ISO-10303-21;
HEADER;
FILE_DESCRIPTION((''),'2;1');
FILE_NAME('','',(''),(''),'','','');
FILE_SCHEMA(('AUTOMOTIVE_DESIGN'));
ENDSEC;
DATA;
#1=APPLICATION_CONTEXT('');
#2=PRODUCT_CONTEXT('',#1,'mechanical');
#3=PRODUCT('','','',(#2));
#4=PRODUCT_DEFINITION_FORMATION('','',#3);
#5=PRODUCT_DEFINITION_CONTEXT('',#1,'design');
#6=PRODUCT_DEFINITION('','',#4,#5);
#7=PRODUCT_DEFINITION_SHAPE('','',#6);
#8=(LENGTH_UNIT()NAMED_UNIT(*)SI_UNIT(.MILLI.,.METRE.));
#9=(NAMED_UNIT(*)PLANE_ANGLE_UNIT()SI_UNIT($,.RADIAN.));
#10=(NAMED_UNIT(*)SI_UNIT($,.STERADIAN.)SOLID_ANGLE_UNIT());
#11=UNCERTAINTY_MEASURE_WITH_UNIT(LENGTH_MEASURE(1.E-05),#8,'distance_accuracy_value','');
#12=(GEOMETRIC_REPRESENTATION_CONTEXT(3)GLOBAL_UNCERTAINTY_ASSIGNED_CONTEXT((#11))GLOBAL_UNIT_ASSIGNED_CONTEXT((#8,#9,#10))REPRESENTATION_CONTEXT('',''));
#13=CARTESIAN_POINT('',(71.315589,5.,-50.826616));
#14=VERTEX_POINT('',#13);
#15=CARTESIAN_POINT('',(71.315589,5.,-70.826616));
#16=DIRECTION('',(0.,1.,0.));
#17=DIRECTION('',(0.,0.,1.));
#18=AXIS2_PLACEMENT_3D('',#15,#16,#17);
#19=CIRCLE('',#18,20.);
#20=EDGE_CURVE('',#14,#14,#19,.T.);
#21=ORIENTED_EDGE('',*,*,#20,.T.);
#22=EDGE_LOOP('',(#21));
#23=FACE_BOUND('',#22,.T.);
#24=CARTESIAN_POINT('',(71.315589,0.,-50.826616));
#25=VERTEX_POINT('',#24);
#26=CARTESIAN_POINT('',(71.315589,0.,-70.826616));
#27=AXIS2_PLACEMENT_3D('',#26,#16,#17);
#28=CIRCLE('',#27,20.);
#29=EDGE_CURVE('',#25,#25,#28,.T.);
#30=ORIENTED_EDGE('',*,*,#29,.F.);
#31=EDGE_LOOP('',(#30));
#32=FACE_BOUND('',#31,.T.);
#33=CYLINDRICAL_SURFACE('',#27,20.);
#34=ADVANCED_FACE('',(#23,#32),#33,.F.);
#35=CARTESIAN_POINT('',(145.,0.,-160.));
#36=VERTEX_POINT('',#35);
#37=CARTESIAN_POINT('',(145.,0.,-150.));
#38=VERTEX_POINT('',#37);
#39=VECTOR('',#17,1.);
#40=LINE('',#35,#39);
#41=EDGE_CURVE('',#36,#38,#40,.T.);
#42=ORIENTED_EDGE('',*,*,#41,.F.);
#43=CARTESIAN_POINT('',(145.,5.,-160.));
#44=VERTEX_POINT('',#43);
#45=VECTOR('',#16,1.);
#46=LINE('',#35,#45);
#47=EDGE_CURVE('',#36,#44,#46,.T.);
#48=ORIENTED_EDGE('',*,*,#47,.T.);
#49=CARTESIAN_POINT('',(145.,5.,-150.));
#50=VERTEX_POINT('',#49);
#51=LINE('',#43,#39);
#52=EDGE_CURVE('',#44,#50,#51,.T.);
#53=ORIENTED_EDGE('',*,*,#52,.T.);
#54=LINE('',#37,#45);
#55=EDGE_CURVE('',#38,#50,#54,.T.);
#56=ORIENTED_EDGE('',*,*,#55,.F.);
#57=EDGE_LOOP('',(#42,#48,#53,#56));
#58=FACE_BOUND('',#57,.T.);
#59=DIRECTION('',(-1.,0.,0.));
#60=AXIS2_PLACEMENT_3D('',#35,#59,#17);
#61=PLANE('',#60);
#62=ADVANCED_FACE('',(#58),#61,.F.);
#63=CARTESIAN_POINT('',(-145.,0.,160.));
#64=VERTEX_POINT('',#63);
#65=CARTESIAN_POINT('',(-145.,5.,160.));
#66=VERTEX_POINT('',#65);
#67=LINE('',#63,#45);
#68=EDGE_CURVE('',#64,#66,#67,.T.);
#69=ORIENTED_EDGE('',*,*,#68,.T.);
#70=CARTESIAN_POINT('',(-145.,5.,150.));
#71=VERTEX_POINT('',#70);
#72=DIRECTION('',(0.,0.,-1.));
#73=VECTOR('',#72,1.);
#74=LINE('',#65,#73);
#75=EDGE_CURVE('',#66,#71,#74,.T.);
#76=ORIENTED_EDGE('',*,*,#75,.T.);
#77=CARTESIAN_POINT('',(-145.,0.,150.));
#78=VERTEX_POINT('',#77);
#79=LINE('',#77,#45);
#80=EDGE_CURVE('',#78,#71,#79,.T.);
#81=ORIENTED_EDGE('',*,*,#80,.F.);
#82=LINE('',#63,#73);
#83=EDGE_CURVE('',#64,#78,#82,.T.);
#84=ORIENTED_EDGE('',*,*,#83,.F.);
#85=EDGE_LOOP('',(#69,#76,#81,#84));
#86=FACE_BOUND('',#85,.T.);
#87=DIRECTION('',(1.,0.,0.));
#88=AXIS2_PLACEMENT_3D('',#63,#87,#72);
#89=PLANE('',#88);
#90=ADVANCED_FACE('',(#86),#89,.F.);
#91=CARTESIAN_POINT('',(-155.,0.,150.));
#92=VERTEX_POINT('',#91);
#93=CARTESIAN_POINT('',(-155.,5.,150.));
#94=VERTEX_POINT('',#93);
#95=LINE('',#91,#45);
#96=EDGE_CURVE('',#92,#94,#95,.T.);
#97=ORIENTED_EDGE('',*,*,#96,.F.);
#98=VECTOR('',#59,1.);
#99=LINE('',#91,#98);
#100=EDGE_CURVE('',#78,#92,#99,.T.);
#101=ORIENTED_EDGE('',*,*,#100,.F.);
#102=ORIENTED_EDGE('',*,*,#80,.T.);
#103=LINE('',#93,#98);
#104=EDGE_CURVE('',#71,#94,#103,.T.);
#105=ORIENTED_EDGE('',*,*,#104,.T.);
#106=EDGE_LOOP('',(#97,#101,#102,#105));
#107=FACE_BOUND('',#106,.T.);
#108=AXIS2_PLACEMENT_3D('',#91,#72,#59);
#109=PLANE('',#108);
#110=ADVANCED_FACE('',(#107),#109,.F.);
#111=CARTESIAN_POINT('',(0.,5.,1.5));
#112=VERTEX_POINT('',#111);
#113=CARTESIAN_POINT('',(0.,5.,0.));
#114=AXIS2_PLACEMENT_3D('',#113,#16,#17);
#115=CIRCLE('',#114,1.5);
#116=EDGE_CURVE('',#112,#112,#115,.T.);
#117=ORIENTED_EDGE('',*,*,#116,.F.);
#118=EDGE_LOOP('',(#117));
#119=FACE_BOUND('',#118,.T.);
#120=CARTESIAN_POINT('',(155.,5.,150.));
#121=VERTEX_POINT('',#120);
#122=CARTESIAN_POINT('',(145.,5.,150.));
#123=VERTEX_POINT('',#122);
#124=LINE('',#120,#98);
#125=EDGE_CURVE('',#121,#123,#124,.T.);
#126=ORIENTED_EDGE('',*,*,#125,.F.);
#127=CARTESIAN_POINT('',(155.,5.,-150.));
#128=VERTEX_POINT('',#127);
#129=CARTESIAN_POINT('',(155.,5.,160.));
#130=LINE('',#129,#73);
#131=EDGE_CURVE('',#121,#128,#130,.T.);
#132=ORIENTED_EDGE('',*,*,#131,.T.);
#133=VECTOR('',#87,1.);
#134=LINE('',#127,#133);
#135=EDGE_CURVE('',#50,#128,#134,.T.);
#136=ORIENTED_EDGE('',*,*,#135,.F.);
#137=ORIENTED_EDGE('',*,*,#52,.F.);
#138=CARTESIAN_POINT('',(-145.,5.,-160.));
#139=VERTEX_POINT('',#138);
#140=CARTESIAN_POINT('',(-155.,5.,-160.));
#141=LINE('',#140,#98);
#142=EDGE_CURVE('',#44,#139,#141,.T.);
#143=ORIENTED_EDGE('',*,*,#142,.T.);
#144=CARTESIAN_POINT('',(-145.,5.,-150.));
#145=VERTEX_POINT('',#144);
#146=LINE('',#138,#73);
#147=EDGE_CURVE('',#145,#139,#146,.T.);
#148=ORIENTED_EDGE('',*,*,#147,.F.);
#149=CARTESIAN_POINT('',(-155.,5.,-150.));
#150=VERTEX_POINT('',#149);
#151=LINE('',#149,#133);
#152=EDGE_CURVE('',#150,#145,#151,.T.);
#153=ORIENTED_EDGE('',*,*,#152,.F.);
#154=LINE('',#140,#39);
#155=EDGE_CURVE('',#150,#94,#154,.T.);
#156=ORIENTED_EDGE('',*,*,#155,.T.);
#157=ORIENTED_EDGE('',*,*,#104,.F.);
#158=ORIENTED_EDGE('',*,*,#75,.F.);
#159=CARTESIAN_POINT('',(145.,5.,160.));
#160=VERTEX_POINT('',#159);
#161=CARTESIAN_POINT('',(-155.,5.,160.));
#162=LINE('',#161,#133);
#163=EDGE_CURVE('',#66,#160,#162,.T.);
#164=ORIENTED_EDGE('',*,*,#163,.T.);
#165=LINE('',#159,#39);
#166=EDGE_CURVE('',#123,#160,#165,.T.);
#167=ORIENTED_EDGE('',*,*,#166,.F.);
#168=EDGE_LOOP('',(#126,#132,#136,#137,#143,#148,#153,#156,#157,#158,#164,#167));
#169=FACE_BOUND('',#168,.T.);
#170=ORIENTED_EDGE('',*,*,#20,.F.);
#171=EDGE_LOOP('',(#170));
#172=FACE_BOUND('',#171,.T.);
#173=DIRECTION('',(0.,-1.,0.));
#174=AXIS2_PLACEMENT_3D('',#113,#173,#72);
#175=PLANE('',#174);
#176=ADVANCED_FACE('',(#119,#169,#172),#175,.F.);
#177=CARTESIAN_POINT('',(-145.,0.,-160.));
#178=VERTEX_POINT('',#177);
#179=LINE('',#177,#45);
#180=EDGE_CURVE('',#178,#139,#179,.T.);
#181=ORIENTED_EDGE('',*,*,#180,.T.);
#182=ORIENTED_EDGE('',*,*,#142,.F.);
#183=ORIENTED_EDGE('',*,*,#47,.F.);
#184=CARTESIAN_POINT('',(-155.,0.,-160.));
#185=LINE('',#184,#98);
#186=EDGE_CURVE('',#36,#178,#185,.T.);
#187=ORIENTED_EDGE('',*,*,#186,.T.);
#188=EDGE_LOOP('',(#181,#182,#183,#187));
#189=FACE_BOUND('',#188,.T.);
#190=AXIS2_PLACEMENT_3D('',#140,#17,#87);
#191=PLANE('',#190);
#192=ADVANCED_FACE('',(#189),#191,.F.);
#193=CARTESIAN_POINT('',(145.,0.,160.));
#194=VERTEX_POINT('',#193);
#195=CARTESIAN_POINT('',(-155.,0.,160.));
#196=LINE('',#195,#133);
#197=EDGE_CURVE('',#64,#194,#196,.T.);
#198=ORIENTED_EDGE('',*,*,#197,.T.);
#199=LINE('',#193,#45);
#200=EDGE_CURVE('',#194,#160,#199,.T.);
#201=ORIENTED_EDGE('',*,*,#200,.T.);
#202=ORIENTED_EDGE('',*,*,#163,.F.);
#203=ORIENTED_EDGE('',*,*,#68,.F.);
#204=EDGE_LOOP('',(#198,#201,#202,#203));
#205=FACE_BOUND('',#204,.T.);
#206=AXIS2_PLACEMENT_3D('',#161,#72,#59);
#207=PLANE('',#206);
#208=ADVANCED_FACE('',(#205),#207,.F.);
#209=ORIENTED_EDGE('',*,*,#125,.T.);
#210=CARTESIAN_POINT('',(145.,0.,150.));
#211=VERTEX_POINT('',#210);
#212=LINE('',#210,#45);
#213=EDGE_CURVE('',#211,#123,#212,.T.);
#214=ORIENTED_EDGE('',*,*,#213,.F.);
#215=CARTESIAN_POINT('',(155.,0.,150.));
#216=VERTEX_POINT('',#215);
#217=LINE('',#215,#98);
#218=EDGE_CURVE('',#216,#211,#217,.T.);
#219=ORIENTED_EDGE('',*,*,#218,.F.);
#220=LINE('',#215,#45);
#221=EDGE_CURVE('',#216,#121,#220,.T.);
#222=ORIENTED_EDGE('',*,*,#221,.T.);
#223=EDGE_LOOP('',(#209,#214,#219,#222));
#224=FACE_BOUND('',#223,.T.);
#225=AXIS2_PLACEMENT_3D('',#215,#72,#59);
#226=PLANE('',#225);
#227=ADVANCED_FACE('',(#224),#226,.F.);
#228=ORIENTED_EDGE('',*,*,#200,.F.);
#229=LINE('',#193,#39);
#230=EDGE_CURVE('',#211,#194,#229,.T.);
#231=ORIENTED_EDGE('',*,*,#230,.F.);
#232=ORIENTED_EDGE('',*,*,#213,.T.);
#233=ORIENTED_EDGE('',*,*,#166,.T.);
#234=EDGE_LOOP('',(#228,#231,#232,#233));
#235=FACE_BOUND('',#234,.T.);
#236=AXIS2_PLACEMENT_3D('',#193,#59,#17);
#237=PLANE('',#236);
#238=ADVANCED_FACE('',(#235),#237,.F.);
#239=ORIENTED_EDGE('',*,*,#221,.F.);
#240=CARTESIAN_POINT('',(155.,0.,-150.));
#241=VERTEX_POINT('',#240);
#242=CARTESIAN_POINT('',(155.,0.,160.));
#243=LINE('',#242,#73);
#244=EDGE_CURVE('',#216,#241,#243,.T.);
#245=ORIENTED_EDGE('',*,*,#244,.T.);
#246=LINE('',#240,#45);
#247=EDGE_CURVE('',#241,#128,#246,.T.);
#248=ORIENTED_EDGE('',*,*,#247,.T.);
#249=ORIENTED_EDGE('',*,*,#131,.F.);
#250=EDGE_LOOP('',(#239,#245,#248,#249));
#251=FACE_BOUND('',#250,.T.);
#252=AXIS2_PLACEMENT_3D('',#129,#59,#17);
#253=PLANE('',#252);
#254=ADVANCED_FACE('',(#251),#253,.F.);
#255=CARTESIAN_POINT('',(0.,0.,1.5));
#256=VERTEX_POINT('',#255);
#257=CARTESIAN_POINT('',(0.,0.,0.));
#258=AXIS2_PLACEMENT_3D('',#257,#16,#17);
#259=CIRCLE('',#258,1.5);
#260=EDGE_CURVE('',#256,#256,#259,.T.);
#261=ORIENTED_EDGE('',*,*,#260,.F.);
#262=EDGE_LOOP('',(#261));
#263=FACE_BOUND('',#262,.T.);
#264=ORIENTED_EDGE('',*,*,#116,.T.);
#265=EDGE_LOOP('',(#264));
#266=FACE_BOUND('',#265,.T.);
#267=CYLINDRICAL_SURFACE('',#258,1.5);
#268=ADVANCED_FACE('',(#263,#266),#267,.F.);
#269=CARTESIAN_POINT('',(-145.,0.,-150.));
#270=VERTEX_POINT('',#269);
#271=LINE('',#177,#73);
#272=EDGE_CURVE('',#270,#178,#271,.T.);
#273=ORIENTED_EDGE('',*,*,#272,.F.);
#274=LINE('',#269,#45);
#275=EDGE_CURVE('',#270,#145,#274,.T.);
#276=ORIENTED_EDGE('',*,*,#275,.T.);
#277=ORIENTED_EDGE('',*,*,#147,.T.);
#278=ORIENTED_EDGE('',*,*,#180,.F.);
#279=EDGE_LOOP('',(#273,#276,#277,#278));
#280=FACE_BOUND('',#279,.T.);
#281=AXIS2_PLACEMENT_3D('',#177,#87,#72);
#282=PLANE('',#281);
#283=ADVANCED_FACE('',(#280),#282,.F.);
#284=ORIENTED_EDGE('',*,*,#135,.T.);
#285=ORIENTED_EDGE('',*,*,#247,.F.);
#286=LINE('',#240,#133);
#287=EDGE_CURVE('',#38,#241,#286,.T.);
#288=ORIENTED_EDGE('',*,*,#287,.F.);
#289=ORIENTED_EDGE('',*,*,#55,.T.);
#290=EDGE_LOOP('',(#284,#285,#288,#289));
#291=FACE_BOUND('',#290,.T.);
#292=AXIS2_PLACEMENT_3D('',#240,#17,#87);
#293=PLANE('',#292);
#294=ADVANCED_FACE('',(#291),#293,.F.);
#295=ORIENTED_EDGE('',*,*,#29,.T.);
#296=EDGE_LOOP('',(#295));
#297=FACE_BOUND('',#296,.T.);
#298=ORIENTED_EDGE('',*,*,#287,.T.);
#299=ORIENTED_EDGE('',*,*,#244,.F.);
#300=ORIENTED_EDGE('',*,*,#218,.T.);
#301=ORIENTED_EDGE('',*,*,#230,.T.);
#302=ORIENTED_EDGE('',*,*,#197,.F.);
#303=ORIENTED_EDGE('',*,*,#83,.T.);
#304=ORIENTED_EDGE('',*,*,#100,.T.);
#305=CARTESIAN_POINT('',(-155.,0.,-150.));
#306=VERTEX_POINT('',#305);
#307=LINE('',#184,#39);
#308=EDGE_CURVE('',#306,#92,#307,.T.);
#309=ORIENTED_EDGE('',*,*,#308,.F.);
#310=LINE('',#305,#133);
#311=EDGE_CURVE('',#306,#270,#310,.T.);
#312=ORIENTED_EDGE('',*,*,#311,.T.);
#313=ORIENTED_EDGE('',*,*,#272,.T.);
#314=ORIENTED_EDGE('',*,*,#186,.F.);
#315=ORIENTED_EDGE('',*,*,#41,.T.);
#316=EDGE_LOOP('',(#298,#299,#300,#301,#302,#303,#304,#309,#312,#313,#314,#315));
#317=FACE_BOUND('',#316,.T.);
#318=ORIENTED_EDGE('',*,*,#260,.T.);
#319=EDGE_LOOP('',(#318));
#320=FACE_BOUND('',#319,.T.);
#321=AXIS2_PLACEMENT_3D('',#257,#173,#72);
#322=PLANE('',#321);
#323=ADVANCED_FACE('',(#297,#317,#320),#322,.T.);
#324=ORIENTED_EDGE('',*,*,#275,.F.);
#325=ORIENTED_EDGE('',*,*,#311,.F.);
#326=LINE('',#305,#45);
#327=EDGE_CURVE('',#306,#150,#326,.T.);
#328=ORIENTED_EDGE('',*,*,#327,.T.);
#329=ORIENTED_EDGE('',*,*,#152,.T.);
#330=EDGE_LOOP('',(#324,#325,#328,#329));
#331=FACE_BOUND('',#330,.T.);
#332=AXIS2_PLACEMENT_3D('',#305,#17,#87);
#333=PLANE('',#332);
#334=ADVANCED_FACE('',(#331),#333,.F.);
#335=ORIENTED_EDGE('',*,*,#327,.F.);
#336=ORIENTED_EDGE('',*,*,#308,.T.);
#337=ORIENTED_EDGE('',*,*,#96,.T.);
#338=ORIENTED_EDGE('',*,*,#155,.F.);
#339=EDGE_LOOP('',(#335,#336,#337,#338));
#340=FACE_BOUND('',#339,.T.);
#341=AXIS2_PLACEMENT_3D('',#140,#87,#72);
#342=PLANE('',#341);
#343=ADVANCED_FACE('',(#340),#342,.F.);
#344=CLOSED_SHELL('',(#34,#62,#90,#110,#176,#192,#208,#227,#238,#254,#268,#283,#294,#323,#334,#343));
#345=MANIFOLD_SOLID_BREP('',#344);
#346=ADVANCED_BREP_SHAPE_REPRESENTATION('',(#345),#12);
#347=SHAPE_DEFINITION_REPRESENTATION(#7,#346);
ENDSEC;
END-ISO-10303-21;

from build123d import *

# Parameters (mm, degrees)
SKETCH_1_W          = 310
SKETCH_1_H          = 320
EXTRUDE_1_DEPTH     = 5
SKETCH_4_R          = 1.5
SKETCH_4_R_2        = 20
SKETCH_4_W          = 10
SKETCH_4_H          = 10
CUT_EXTRUDE_2_DEPTH = 5


with BuildPart() as part:
    # 草图1 → 凸台-拉伸1 (new body)
    with BuildSketch(Plane(origin=(0, 0, 0), x_dir=(1, 0, 0), z_dir=(0, 1, 0))):
        Rectangle(SKETCH_1_W, SKETCH_1_H)
    extrude(amount=EXTRUDE_1_DEPTH)

    # 草图4 → 切除-拉伸2 (cut)
    with BuildSketch(Plane(origin=(0, 5, 0), x_dir=(1, 0, 0), z_dir=(0, 1, 0))):
        with Locations(Location((0, 0, 0), (0, 0, 270))):
            Circle(SKETCH_4_R)
        with Locations(Location((71.315589165, 70.826615801, 0), (0, 0, 270))):
            Circle(SKETCH_4_R_2)
        with Locations((-150, 155)):
            Rectangle(SKETCH_4_W, SKETCH_4_H)
        with Locations((-150, -155)):
            Rectangle(SKETCH_4_W, SKETCH_4_H)
        with Locations((150, -155)):
            Rectangle(SKETCH_4_W, SKETCH_4_H)
        with Locations((150, 155)):
            Rectangle(SKETCH_4_W, SKETCH_4_H)
    extrude(amount=-CUT_EXTRUDE_2_DEPTH, mode=Mode.SUBTRACT)


solid = part.part
